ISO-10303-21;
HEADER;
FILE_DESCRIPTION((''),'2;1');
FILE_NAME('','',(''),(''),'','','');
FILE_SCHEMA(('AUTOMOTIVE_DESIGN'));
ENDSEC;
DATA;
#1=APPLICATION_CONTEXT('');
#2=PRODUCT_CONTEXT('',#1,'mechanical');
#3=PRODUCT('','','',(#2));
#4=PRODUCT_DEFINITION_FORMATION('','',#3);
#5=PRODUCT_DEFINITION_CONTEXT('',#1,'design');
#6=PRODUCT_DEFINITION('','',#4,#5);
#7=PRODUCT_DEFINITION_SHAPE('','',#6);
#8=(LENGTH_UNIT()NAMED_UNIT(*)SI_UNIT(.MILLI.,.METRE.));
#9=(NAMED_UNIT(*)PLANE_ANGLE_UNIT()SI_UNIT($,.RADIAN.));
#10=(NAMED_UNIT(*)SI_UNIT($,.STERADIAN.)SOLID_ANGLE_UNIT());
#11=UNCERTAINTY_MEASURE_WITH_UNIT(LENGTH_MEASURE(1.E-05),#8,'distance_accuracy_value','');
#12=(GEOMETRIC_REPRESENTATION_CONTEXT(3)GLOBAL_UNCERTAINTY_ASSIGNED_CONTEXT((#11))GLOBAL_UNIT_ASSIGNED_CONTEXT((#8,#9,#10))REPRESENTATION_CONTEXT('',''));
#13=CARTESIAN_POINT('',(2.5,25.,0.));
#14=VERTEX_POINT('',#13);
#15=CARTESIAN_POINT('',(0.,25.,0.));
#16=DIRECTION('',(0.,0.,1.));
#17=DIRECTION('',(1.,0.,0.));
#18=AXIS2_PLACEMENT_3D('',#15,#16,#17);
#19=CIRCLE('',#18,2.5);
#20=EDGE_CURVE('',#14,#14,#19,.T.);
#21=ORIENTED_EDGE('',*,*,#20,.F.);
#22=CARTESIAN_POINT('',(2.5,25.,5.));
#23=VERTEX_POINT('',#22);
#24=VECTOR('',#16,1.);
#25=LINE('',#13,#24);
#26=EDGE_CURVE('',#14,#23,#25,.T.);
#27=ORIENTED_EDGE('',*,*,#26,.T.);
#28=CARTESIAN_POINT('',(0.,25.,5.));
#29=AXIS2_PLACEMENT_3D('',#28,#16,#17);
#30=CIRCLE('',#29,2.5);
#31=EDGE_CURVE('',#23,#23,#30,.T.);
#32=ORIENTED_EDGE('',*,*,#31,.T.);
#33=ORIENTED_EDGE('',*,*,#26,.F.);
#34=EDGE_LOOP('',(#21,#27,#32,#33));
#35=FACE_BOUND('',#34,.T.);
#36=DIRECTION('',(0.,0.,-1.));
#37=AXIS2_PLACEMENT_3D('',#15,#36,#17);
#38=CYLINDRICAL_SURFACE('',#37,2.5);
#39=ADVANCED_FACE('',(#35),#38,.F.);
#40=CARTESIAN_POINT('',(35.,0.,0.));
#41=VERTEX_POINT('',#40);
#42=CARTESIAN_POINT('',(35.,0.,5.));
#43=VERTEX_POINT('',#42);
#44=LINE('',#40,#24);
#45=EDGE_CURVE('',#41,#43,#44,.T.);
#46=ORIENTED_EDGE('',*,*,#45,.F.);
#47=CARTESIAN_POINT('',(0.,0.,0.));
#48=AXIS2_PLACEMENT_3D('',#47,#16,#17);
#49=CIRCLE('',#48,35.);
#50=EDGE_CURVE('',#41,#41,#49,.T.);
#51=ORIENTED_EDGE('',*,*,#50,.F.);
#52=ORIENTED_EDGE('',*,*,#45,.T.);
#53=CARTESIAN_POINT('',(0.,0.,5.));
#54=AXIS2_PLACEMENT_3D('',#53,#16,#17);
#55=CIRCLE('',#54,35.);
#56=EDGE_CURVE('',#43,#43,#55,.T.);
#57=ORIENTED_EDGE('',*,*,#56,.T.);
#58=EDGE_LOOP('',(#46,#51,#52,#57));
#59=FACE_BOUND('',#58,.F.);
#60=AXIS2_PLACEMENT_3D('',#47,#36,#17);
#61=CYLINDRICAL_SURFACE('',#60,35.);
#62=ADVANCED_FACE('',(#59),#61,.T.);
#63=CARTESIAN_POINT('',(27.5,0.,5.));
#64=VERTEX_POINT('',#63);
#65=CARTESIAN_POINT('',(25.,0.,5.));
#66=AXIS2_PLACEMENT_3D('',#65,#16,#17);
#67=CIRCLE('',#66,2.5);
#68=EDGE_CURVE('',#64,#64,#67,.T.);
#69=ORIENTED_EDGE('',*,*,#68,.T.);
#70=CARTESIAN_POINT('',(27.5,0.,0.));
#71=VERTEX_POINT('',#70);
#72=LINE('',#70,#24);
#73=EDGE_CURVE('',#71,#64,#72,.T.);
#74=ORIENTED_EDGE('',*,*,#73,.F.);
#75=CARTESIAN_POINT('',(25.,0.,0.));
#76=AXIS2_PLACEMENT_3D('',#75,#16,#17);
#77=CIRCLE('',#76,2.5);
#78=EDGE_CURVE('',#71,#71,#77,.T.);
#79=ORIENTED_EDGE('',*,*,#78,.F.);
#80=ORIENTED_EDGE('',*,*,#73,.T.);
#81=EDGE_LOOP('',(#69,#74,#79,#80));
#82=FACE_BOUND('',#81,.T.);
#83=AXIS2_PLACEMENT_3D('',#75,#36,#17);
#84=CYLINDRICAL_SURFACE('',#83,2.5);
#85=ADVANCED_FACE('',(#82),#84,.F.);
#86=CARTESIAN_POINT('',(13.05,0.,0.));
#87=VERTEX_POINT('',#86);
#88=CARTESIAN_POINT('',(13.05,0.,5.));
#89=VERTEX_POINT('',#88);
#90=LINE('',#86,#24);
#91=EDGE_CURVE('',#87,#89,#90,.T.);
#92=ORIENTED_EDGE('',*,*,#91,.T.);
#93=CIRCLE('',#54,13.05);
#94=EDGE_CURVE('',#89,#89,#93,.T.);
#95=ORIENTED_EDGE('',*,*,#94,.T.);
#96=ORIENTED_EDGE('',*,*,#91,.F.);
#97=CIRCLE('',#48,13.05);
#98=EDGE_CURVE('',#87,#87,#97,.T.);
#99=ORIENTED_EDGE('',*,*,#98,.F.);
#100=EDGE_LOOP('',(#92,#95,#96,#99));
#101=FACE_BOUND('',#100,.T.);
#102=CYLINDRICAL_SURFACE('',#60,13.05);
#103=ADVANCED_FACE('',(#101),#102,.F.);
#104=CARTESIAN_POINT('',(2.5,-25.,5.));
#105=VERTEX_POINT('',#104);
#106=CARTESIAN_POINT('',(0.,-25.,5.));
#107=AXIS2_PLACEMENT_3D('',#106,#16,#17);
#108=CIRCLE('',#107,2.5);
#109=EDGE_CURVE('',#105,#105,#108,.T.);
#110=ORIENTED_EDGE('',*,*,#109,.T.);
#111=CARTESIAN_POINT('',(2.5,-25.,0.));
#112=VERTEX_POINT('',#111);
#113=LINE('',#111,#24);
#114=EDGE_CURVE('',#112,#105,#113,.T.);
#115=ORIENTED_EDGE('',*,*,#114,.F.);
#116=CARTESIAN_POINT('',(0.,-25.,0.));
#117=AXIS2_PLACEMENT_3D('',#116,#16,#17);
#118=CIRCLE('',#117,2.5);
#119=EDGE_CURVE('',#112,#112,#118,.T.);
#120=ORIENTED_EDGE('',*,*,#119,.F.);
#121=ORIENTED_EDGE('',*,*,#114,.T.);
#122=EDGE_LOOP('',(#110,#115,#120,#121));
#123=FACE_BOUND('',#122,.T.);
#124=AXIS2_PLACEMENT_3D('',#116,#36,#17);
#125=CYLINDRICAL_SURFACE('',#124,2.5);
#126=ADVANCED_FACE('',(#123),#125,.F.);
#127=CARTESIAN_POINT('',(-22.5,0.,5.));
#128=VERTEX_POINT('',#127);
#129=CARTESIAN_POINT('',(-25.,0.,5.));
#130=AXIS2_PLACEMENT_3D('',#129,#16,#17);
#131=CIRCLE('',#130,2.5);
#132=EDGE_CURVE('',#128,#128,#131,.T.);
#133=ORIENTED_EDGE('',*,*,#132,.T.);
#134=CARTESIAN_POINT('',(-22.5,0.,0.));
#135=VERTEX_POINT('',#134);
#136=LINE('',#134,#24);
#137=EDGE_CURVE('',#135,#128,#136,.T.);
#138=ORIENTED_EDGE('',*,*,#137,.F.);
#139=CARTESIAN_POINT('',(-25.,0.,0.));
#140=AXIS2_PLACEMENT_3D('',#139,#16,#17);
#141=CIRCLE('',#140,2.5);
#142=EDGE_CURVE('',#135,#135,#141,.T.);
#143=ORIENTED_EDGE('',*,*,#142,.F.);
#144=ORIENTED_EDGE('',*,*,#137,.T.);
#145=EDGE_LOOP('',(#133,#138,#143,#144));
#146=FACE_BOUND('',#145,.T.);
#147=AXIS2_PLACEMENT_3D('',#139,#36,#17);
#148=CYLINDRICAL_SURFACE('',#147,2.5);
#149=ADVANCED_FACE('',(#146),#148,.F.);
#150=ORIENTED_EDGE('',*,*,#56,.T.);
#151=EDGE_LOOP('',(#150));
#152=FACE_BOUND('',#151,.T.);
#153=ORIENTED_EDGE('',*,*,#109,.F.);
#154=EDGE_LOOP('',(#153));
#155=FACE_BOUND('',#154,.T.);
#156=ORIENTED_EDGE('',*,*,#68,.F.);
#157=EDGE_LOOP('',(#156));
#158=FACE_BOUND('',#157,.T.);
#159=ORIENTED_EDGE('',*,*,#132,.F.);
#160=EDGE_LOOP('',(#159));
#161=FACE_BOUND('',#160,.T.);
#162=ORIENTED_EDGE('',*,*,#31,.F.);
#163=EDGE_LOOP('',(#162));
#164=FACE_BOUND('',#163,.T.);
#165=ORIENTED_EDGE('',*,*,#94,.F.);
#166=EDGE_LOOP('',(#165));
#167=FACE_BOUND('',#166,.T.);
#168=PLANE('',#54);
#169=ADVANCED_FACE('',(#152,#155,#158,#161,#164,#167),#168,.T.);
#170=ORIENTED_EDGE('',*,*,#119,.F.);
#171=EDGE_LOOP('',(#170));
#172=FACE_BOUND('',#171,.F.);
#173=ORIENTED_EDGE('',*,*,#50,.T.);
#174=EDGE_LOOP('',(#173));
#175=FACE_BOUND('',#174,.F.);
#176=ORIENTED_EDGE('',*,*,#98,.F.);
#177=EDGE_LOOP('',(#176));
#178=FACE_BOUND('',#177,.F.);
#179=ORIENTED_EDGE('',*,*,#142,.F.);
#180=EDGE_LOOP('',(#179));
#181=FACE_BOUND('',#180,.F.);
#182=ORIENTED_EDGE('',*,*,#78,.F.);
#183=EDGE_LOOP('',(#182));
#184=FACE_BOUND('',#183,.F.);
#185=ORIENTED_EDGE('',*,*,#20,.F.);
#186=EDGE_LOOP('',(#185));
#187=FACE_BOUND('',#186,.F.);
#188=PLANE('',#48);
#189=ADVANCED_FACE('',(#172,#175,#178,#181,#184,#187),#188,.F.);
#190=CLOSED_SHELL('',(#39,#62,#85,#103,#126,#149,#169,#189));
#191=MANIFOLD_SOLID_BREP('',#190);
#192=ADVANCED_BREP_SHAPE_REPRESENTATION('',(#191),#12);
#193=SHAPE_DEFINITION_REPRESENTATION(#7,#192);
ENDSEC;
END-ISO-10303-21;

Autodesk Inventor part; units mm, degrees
ref_plane "YZ Plane" through (0, 0, 0) normal (1, 0, 0) x (0, 1, 0)
ref_plane "XZ Plane" through (0, 0, 0) normal (0, 1, 0) x (-1, 0, 0)
ref_plane "XY Plane" through (0, 0, 0) normal (0, 0, 1) x (1, 0, 0)
sketch "スケッチ1" plane through (0, 0, 0) normal (0, 0, 1) x (1, 0, 0)
  circle A0 centre (0, 0) radius 35
  circle A1 centre (0, 0) radius 13.05
  circle A2 centre (0, 0) radius 25 construction
  line L0 (0, 35) -> (0, 0) construction
  line L1 (0, 0) -> (35, 0) construction
  circle A3 centre (25, 0) radius 2.5
  circle A4 centre (0, 25) radius 2.5
  circle A5 centre (-25, 0) radius 2.5
  circle A6 centre (0, -25) radius 2.5
  dimension "d3" = 50
  dimension "d0" = 26.1
  dimension "d1" = 70
  dimension "d2" = 5
  dimension "d6" = 360
extrude "押し出し1" add sketch "スケッチ1" along normal blind 5
properties part number "車軸受け板3"
